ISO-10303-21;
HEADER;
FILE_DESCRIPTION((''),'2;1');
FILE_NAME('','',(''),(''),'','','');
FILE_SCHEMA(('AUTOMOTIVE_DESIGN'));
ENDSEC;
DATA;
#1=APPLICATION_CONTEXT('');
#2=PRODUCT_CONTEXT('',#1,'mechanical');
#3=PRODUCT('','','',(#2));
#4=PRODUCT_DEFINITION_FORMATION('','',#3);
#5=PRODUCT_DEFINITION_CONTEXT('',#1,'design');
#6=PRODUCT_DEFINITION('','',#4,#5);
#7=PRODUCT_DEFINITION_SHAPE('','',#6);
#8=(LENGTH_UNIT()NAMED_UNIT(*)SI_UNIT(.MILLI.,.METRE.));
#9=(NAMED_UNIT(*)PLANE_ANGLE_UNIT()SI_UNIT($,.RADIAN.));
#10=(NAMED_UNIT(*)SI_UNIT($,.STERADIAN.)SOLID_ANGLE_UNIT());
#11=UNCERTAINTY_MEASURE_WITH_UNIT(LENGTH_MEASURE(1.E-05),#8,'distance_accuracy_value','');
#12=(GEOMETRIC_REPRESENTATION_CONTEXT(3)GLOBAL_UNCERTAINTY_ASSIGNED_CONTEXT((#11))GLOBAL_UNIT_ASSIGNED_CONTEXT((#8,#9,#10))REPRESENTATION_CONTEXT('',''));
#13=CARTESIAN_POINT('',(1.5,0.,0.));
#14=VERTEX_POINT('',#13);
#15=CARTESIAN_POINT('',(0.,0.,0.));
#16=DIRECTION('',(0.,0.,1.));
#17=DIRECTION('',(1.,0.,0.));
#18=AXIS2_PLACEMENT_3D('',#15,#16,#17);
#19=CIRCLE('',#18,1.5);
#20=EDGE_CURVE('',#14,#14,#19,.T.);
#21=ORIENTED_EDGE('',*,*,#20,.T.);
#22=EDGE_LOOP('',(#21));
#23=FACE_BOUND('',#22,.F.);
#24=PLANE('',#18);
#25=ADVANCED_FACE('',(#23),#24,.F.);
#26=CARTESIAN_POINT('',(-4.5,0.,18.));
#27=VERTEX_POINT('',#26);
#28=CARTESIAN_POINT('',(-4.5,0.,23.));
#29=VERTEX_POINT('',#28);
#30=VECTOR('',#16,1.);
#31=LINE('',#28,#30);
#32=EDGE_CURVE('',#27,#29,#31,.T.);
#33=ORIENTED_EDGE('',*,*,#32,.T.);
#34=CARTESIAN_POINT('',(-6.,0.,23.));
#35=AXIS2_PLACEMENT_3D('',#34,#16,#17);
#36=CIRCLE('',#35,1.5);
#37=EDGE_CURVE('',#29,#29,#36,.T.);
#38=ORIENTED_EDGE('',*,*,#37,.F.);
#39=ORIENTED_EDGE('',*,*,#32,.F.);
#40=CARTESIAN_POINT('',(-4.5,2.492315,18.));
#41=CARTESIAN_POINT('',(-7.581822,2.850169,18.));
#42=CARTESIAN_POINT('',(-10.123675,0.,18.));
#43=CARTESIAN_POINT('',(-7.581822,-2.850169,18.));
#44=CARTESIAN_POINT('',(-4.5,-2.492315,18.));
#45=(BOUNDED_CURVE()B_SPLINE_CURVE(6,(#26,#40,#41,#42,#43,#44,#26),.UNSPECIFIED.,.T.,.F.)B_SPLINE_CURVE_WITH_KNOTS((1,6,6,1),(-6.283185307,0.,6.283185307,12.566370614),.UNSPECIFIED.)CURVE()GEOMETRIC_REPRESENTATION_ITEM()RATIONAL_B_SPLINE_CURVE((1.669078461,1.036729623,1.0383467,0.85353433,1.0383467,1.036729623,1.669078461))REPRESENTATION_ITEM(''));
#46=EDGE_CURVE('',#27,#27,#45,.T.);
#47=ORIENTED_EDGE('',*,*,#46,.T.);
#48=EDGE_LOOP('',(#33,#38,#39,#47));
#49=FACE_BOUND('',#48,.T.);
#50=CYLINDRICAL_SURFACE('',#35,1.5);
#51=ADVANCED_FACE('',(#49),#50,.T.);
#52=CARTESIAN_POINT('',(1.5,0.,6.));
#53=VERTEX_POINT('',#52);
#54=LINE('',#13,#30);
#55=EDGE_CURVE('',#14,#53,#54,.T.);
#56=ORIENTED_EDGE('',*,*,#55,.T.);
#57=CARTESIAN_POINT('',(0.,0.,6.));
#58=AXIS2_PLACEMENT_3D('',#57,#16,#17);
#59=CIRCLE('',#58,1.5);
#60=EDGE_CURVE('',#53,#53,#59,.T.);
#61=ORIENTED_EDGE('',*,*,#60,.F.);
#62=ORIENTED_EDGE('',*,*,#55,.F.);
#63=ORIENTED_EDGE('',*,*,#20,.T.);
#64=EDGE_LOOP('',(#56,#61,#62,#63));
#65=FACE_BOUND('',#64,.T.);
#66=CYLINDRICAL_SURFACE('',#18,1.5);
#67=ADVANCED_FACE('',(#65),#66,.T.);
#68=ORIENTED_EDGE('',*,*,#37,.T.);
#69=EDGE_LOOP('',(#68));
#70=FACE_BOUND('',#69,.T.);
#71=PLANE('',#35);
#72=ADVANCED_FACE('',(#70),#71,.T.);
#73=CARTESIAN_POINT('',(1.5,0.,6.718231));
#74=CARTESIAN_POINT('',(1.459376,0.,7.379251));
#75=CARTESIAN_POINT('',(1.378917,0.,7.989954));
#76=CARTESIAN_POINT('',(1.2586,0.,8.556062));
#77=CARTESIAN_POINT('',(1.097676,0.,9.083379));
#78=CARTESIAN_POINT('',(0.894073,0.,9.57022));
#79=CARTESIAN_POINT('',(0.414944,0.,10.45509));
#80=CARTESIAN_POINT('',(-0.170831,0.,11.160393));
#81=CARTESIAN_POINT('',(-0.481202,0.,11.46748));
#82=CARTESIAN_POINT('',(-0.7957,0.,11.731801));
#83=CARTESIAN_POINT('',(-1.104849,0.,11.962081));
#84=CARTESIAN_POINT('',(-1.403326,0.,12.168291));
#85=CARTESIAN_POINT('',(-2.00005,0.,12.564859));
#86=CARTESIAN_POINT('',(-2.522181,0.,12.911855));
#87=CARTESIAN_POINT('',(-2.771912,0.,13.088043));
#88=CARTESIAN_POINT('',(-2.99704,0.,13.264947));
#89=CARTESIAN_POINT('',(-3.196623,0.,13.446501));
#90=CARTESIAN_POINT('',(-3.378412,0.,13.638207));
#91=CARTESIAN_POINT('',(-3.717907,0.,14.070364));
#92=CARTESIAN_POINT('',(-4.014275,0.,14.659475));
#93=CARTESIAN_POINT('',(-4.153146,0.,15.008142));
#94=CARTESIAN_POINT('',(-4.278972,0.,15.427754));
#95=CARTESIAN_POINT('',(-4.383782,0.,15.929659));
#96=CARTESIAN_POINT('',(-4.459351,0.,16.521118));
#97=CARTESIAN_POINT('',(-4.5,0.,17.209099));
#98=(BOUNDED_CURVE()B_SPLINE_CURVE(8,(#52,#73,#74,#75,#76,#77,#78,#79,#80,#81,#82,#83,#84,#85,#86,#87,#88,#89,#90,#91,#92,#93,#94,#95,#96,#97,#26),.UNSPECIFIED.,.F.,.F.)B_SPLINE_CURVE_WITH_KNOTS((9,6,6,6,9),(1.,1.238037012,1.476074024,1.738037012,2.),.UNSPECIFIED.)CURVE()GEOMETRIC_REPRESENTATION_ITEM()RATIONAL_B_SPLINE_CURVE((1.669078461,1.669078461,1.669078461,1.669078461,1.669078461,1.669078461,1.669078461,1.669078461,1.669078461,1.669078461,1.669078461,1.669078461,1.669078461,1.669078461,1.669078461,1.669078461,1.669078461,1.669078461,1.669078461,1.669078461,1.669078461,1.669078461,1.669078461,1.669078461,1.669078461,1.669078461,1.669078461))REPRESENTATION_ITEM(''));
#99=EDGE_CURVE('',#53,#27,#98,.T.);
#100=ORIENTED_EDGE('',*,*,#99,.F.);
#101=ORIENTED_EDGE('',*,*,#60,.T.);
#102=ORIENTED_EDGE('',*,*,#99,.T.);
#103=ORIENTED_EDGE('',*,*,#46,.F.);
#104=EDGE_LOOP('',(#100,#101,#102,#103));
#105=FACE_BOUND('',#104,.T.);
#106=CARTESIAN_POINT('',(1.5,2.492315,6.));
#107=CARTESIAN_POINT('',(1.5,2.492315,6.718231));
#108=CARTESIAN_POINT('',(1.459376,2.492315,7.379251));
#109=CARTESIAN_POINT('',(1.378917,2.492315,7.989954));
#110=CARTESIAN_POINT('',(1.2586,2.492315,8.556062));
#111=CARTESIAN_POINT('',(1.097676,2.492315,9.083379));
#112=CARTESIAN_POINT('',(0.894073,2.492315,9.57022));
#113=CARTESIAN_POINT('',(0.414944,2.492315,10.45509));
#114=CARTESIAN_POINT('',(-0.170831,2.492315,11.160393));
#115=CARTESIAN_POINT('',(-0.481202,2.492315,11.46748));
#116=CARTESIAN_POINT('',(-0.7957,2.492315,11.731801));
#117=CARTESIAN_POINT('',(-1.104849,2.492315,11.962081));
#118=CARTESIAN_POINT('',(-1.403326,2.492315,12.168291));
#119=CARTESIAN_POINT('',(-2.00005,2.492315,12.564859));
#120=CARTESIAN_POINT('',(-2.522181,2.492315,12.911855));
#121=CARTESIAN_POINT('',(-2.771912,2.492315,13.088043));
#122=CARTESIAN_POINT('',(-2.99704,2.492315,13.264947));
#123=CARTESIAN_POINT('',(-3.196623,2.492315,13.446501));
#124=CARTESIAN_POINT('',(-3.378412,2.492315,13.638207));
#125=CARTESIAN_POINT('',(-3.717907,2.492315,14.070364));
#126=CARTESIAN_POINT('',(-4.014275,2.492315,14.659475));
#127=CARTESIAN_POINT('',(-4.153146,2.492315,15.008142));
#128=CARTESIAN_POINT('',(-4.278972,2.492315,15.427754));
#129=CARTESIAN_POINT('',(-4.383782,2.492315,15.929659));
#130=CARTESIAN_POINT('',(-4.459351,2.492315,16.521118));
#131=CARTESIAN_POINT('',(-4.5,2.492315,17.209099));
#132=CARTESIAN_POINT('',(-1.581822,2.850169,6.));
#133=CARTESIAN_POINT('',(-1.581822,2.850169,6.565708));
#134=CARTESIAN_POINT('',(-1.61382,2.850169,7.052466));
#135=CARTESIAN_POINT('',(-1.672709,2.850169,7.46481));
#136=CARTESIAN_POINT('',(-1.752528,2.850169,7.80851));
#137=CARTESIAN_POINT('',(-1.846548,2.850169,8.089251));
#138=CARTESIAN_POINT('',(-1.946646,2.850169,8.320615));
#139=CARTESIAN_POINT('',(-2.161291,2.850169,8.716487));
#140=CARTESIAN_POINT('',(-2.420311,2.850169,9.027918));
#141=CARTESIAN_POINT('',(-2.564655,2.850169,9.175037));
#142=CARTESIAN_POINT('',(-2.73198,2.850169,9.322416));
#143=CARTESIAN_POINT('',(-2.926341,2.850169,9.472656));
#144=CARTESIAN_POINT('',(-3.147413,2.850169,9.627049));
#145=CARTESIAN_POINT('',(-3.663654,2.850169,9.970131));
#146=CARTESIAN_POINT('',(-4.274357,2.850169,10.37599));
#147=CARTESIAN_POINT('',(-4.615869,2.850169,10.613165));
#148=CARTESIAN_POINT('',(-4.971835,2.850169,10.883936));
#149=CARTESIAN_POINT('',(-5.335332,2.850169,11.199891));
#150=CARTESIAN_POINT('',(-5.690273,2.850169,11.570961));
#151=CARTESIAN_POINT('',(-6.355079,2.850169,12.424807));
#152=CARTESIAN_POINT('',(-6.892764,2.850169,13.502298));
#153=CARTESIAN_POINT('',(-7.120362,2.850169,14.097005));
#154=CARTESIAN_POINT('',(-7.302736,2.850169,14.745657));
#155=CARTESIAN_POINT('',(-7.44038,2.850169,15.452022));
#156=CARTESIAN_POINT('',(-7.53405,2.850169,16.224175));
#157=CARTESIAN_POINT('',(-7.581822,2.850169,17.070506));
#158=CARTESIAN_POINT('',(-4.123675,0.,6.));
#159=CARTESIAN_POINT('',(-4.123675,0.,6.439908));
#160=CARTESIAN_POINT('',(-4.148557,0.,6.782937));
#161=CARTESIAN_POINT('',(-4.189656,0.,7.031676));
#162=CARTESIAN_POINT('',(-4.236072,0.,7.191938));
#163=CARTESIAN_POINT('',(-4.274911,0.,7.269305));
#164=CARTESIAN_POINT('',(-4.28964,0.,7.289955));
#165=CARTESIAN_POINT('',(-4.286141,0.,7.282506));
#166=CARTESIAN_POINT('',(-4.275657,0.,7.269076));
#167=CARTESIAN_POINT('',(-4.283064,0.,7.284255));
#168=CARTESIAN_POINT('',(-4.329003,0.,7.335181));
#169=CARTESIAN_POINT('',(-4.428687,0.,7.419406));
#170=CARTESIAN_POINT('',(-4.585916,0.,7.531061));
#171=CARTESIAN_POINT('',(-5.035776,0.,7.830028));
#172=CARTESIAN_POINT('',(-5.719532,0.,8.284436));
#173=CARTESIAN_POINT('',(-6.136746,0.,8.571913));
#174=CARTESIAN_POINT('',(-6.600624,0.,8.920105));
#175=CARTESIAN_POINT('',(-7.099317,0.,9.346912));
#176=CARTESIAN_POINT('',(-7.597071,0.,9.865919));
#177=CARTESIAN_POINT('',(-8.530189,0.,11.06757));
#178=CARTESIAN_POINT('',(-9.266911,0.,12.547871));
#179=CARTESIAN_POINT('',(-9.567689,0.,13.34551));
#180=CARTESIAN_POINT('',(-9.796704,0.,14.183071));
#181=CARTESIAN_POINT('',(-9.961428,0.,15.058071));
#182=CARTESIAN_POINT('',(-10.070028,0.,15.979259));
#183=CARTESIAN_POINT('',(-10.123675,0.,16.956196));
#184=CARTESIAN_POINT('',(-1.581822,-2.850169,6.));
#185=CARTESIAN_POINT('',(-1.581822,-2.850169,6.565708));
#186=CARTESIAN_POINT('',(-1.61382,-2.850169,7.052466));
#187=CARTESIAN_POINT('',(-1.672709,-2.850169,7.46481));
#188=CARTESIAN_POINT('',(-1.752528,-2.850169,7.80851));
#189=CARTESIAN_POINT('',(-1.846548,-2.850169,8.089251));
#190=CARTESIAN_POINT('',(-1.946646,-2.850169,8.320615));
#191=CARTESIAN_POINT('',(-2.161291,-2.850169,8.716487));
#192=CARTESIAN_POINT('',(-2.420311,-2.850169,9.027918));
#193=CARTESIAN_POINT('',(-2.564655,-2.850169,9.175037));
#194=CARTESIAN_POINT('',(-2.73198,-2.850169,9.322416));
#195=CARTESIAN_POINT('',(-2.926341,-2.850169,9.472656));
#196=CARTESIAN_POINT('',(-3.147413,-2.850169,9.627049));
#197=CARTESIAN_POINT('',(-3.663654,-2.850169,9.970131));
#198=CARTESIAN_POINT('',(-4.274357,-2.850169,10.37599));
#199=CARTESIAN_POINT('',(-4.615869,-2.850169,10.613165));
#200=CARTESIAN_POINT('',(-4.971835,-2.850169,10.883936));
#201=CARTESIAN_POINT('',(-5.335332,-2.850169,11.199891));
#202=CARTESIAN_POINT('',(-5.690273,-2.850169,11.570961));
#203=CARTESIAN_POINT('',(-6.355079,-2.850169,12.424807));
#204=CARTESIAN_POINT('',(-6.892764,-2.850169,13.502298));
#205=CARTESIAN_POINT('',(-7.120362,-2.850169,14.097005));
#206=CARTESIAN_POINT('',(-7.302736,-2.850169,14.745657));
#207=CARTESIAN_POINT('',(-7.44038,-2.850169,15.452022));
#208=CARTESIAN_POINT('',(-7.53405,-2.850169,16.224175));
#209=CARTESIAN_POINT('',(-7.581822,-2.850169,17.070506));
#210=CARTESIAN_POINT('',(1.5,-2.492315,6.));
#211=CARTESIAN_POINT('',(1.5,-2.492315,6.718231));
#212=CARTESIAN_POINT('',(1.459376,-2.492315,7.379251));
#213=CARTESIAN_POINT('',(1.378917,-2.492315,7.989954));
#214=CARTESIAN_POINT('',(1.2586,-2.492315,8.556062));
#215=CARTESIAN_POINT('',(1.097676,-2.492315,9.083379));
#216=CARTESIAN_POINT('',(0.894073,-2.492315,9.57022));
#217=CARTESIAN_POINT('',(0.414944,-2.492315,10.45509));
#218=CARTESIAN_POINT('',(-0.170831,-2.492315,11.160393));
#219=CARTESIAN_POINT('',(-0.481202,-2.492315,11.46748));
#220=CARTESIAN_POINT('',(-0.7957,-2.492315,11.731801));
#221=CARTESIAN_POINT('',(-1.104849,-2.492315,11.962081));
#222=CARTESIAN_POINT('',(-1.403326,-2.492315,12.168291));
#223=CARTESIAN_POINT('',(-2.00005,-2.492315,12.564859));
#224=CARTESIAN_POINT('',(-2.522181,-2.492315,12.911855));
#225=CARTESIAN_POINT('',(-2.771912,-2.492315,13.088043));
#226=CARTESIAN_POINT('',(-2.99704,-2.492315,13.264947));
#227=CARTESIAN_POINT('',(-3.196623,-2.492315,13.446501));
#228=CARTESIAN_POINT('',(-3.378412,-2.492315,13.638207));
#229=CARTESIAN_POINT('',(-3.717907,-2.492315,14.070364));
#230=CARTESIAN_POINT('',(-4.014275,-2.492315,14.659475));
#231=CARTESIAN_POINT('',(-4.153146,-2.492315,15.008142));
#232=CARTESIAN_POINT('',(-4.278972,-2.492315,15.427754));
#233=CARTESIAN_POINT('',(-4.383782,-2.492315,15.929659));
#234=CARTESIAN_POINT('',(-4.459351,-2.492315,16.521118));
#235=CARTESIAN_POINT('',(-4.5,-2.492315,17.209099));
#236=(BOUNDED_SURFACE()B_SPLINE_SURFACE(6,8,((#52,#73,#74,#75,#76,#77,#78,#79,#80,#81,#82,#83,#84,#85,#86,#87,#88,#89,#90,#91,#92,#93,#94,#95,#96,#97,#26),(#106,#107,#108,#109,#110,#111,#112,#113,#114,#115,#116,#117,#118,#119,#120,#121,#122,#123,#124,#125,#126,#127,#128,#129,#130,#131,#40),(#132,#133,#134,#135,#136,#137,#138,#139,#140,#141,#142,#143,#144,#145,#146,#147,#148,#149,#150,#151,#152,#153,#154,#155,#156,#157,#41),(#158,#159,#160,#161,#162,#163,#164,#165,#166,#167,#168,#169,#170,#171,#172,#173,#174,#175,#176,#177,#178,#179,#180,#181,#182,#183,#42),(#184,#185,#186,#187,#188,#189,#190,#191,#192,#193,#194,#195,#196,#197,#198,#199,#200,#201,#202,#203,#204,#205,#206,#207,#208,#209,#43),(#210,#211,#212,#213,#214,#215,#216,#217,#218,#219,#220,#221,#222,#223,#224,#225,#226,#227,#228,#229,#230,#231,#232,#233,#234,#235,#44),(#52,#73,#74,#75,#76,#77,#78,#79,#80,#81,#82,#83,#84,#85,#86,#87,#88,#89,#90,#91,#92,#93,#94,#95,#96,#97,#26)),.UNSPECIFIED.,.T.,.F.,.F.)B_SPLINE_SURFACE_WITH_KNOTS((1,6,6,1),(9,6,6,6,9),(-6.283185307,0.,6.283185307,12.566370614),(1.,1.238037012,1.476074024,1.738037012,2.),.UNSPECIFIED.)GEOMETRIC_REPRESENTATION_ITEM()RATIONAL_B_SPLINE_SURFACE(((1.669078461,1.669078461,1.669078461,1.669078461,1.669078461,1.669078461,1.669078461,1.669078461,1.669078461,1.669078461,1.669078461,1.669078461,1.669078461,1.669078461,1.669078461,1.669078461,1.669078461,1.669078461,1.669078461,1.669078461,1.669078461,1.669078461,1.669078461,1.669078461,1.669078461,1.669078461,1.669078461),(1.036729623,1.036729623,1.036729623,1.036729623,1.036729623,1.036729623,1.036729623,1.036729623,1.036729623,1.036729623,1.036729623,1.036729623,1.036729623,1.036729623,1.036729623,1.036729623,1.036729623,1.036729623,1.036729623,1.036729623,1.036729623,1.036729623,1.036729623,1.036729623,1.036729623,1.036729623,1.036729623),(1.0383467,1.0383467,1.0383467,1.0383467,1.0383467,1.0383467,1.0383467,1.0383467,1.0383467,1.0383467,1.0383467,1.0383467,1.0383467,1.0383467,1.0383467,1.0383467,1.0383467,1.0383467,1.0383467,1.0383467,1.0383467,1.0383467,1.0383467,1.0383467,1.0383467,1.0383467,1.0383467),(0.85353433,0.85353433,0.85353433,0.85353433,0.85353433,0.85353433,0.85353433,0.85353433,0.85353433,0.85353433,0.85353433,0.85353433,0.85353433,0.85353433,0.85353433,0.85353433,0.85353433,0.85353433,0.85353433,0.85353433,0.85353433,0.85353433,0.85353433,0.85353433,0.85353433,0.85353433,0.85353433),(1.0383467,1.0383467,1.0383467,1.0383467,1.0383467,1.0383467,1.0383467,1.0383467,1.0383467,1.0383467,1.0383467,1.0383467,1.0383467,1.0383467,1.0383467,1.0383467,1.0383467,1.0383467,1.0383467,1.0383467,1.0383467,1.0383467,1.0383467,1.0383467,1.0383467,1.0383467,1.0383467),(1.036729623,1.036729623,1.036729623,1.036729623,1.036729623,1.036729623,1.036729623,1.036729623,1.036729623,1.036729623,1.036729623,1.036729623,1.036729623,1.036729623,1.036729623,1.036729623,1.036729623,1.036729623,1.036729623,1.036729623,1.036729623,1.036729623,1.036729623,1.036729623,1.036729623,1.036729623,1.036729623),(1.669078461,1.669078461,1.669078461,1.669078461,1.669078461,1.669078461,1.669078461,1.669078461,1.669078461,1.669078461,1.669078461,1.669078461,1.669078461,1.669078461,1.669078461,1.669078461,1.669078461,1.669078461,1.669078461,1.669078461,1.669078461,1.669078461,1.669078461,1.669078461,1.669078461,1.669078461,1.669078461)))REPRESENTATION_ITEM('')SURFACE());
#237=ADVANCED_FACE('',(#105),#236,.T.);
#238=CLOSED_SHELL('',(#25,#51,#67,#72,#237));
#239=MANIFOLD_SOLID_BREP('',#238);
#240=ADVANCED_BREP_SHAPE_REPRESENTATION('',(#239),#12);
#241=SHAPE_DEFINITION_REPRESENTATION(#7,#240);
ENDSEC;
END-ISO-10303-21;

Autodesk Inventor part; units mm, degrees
ref_plane "YZ Plane" through (0, 0, 0) normal (1, 0, 0) x (0, 1, 0)
ref_plane "XZ Plane" through (0, 0, 0) normal (0, 1, 0) x (-1, 0, 0)
ref_plane "XY Plane" through (0, 0, 0) normal (0, 0, 1) x (1, 0, 0)
sketch "Sketch1" plane through (0, 0, 0) normal (0, 0, 1) x (1, 0, 0)
  circle A0 centre (0, 0) radius 1.5
  dimension "d0" = 3
sketch "Sketch2" plane through (0, 0, 0) normal (0, 1, 0) x (-1, 0, 0)
  line L0 (0, 0) -> (0, 6)
  line L1 (6, 23) -> (6, 18)
  line L2 (6, 18) -> (6, 9.2623) construction
  spline S0 degree 3 poles (6, 18) (6, 9.2623) (0, 13.2145) (0, 6) knots 1 1 1 1 2 2 2 2
  line L3 (0, 13.2145) -> (0, 6) construction
  line L4 (6, 9.2623) -> (0, 13.2145) construction
  dimension "d1" = 6
  dimension "d3" = 23
  dimension "d4" = 6
  dimension "d11" = 5
sweep "Sweep1" add profiles "Sketch1" path "Sketch2"
thread "Thread1"
thread "Thread2"
properties part number "m3-pin-bent-6mm" material "Stainless Steel"
